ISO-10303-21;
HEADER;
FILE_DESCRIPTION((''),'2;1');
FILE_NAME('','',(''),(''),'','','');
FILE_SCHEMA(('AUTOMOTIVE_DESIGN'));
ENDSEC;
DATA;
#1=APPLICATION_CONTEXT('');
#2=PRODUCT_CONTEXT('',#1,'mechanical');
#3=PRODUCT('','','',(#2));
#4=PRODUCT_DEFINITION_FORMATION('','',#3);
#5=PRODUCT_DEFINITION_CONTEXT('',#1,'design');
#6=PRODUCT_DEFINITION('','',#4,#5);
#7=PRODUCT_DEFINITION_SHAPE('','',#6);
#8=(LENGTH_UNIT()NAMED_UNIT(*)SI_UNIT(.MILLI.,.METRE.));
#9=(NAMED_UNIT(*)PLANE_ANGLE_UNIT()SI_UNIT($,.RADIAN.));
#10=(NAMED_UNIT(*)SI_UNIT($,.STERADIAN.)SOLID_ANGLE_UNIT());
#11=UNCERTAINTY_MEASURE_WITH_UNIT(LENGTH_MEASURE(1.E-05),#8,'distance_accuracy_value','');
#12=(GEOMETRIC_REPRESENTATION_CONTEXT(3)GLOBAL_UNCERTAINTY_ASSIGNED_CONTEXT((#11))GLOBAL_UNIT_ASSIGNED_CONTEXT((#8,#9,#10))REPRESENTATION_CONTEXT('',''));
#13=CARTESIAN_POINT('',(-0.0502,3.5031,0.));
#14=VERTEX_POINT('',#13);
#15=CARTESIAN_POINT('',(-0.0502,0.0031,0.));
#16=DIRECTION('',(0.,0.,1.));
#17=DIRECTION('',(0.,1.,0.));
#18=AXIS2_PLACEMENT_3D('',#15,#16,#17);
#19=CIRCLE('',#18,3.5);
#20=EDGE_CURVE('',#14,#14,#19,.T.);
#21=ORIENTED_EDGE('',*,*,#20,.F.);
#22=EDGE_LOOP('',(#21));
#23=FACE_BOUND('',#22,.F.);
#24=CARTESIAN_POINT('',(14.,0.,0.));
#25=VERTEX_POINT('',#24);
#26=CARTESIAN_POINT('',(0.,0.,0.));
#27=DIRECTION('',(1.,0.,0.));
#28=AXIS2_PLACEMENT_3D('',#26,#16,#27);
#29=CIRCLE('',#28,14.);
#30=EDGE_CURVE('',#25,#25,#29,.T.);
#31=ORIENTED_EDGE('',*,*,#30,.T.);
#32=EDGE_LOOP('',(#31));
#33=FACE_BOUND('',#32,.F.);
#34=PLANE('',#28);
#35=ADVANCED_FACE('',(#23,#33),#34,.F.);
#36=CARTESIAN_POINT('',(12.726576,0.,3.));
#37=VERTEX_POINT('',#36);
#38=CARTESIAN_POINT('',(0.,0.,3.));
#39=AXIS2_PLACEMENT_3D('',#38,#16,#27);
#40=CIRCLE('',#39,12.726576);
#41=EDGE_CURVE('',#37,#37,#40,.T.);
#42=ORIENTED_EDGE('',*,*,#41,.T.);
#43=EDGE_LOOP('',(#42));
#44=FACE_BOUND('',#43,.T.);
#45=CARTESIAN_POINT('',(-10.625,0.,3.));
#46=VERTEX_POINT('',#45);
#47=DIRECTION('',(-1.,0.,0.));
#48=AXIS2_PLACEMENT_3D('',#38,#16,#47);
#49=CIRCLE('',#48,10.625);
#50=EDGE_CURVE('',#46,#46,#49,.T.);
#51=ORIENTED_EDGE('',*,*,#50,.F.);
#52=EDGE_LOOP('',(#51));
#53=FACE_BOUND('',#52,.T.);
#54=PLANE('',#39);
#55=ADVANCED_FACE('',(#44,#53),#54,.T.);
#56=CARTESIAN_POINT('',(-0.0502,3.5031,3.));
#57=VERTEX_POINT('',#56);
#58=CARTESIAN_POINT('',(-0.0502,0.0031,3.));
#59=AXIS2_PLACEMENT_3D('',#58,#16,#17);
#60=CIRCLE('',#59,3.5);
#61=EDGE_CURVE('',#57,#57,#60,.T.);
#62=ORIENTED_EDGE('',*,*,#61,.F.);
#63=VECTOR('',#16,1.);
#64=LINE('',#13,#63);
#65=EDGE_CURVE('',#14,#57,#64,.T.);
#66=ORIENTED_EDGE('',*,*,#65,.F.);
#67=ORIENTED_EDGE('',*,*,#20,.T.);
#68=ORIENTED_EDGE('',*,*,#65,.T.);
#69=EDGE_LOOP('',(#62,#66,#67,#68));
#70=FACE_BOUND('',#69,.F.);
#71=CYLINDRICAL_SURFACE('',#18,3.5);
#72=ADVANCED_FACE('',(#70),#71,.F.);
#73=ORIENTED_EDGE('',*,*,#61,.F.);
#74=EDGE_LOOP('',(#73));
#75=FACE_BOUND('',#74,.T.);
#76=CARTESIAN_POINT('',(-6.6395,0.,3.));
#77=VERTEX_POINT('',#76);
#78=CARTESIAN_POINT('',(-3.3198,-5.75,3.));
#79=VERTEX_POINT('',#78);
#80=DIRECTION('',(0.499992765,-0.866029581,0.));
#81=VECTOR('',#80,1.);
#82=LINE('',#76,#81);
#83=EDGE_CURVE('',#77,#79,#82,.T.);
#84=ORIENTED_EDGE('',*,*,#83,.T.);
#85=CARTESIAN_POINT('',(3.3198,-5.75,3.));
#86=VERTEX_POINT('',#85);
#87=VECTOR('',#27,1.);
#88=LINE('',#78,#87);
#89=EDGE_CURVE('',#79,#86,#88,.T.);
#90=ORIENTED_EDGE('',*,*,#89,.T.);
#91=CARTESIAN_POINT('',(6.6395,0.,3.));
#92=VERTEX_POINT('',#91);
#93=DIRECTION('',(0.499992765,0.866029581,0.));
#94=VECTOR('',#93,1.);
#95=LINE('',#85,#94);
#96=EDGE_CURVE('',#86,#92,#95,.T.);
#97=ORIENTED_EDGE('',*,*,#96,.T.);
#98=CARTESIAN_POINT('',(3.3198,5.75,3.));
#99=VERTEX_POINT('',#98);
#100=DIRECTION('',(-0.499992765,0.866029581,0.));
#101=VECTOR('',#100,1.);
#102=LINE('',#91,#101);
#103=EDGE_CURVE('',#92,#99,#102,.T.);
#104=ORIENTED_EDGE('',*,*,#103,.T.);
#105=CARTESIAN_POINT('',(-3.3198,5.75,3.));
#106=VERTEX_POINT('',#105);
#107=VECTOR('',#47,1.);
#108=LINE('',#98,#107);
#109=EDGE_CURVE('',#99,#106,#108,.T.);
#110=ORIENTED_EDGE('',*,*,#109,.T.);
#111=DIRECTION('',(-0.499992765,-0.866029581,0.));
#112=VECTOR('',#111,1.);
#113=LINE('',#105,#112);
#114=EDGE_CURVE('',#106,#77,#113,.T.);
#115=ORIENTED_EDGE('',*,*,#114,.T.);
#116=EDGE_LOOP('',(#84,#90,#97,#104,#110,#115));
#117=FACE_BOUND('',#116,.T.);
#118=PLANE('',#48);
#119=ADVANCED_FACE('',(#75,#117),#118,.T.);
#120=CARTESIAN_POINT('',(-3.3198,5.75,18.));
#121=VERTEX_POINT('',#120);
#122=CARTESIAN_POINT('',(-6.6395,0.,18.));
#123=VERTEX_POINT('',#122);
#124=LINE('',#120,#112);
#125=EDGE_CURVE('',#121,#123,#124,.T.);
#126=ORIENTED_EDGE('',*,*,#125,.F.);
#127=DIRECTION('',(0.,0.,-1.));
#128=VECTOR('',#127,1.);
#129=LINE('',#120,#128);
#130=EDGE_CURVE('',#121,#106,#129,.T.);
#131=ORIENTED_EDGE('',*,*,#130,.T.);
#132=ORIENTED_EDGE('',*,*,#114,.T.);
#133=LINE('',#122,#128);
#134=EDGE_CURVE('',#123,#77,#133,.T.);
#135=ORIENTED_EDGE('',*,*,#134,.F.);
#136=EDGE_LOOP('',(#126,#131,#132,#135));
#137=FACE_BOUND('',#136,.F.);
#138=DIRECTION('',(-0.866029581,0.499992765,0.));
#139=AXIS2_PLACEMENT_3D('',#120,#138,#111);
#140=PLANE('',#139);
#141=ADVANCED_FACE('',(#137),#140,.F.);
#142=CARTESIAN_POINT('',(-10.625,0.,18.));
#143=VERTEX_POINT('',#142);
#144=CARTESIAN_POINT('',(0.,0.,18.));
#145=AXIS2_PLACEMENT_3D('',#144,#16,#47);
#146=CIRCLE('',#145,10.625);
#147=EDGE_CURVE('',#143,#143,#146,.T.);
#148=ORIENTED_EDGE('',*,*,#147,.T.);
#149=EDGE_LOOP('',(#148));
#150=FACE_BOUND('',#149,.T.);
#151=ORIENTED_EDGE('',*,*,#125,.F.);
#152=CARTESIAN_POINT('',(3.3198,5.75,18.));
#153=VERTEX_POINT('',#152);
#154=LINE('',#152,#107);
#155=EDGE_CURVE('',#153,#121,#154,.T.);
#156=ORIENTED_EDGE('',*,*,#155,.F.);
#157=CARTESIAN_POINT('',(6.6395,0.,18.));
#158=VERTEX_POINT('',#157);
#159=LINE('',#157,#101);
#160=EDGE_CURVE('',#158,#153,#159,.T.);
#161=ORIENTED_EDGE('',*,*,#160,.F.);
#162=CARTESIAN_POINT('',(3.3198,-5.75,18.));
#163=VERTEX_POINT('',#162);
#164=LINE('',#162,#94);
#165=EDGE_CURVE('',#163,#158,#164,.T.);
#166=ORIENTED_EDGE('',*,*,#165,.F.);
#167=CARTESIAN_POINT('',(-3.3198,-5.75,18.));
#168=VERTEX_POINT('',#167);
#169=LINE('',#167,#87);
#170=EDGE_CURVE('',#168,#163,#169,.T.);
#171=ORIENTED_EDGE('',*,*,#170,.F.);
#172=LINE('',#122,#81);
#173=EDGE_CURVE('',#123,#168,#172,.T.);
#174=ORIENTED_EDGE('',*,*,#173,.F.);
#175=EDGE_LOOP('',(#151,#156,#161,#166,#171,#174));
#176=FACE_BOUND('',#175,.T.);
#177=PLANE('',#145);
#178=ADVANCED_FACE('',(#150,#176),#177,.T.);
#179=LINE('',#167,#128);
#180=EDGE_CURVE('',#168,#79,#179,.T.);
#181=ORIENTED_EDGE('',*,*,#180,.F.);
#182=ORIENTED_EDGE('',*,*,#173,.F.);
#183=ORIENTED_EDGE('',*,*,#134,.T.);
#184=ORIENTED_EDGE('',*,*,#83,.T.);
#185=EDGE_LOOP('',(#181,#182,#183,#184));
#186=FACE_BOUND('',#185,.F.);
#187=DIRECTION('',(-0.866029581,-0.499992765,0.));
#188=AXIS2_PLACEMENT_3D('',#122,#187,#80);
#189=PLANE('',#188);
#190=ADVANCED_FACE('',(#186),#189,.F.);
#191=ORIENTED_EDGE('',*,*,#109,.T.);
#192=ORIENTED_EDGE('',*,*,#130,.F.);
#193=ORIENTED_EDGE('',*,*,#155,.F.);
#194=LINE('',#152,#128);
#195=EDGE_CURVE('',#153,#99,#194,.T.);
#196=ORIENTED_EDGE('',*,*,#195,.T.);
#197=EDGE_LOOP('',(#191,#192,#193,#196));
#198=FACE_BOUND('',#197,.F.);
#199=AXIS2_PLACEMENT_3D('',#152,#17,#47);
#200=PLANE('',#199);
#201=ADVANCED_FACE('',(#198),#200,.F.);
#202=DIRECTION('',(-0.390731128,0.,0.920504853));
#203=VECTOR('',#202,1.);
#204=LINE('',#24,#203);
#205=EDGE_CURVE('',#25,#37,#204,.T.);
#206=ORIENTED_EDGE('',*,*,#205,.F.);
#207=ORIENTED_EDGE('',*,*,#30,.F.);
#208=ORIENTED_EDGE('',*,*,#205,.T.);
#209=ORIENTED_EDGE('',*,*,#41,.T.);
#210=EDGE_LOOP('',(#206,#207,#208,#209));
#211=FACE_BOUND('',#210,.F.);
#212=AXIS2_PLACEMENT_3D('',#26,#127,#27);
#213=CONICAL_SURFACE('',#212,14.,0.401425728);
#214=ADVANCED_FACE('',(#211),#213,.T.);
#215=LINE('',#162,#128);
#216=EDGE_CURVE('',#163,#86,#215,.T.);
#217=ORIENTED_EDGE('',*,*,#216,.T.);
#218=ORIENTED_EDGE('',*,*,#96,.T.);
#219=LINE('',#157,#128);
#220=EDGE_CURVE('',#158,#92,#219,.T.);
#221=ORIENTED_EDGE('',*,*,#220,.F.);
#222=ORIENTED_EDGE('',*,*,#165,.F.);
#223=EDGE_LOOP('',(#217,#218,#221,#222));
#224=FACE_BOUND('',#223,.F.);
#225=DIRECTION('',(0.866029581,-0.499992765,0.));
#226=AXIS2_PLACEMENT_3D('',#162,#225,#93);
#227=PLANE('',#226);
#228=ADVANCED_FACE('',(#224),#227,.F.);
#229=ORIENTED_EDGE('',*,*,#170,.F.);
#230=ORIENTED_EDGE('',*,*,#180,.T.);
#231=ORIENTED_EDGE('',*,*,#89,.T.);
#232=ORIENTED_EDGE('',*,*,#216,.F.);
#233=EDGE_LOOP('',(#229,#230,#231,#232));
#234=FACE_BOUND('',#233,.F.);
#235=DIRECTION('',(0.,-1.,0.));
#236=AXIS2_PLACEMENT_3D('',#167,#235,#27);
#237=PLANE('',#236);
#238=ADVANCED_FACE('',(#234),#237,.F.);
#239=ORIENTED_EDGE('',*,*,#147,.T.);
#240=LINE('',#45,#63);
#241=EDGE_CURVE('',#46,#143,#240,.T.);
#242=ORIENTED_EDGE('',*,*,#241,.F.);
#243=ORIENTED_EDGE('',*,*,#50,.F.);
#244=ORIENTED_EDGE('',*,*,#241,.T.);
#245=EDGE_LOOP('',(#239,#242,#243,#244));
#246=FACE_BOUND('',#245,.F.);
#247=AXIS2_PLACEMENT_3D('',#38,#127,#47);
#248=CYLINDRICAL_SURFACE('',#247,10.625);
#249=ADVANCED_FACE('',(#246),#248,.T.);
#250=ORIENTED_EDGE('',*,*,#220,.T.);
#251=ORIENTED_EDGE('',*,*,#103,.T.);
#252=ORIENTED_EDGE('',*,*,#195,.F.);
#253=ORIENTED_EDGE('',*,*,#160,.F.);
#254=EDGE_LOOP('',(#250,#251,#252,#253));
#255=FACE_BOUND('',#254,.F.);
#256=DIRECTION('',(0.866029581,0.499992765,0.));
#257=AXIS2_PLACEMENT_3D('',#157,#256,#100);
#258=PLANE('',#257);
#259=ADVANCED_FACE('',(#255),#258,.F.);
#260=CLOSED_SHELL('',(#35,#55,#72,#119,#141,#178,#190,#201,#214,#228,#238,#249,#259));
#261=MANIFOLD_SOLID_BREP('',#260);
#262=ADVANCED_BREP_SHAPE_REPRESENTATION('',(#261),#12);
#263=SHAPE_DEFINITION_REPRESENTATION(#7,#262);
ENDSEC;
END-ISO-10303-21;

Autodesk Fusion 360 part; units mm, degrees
sketch "Sketch1" plane through (0, 0, 0) normal (0, 0, 1) x (1, 0, 0)
  circle A0 centre (0, 0) radius 14
  dimension "d1" = 28
extrude "Extrude1" add sketch "Sketch1" along normal blind 3 draft -23
sketch "Sketch2" plane through (0, 0, 3) normal (0, 0, 1) x (-1, 0, 0)
  circle A0 centre (0, 0) radius 12.7266
sketch "Sketch3" plane through (0, 0, 3) normal (0, 0, 1) x (-1, 0, 0)
sketch "Sketch4" plane through (0, 0, 3) normal (0, 0, 1) x (-1, 0, 0)
  circle A0 centre (0, 0) radius 10.625
  dimension "d5" = 21.25
extrude "Extrude2" add sketch "Sketch4" along normal blind 15
sketch "Sketch5" plane through (0, 0, 18) normal (0, 0, 1) x (-1, 0, 0)
  circle A0 centre (0, 0) radius 10.625
  line L0 (3.3198, -5.75) -> (6.6395, 0)
  line L1 (6.6395, 0) -> (3.3198, 5.75)
  line L2 (3.3198, 5.75) -> (-3.3198, 5.75)
  line L3 (-3.3198, 5.75) -> (-6.6395, 0)
  line L4 (-6.6395, 0) -> (-3.3198, -5.75)
  line L5 (-3.3198, -5.75) -> (3.3198, -5.75)
  dimension "d8" = 5.75
extrude "Extrude3" cut sketch "Sketch5" against normal blind 15 contours L0 L1 L2 L3 L4 L5
hole "Hole1" at (-0.0502, 0.0031, 0) direction (0, 0, 1) diameter 7 depth 3 tip angle 180
sketch "1/4\" Bolt Hole" plane through (0, 0, 0) normal (0, 0, -1) x (1, 0, 0)
  circle A0 centre (-0.0502, -0.0031) radius 3.5
  circle A1 centre (0, 0) radius 14
sketch "Sketch7" plane through (0, 0, 18) normal (0, 0, 1) x (-1, 0, 0)
sketch "Sketch8" plane through (0, 0, 18) normal (0, 0, 1) x (-1, 0, 0)
